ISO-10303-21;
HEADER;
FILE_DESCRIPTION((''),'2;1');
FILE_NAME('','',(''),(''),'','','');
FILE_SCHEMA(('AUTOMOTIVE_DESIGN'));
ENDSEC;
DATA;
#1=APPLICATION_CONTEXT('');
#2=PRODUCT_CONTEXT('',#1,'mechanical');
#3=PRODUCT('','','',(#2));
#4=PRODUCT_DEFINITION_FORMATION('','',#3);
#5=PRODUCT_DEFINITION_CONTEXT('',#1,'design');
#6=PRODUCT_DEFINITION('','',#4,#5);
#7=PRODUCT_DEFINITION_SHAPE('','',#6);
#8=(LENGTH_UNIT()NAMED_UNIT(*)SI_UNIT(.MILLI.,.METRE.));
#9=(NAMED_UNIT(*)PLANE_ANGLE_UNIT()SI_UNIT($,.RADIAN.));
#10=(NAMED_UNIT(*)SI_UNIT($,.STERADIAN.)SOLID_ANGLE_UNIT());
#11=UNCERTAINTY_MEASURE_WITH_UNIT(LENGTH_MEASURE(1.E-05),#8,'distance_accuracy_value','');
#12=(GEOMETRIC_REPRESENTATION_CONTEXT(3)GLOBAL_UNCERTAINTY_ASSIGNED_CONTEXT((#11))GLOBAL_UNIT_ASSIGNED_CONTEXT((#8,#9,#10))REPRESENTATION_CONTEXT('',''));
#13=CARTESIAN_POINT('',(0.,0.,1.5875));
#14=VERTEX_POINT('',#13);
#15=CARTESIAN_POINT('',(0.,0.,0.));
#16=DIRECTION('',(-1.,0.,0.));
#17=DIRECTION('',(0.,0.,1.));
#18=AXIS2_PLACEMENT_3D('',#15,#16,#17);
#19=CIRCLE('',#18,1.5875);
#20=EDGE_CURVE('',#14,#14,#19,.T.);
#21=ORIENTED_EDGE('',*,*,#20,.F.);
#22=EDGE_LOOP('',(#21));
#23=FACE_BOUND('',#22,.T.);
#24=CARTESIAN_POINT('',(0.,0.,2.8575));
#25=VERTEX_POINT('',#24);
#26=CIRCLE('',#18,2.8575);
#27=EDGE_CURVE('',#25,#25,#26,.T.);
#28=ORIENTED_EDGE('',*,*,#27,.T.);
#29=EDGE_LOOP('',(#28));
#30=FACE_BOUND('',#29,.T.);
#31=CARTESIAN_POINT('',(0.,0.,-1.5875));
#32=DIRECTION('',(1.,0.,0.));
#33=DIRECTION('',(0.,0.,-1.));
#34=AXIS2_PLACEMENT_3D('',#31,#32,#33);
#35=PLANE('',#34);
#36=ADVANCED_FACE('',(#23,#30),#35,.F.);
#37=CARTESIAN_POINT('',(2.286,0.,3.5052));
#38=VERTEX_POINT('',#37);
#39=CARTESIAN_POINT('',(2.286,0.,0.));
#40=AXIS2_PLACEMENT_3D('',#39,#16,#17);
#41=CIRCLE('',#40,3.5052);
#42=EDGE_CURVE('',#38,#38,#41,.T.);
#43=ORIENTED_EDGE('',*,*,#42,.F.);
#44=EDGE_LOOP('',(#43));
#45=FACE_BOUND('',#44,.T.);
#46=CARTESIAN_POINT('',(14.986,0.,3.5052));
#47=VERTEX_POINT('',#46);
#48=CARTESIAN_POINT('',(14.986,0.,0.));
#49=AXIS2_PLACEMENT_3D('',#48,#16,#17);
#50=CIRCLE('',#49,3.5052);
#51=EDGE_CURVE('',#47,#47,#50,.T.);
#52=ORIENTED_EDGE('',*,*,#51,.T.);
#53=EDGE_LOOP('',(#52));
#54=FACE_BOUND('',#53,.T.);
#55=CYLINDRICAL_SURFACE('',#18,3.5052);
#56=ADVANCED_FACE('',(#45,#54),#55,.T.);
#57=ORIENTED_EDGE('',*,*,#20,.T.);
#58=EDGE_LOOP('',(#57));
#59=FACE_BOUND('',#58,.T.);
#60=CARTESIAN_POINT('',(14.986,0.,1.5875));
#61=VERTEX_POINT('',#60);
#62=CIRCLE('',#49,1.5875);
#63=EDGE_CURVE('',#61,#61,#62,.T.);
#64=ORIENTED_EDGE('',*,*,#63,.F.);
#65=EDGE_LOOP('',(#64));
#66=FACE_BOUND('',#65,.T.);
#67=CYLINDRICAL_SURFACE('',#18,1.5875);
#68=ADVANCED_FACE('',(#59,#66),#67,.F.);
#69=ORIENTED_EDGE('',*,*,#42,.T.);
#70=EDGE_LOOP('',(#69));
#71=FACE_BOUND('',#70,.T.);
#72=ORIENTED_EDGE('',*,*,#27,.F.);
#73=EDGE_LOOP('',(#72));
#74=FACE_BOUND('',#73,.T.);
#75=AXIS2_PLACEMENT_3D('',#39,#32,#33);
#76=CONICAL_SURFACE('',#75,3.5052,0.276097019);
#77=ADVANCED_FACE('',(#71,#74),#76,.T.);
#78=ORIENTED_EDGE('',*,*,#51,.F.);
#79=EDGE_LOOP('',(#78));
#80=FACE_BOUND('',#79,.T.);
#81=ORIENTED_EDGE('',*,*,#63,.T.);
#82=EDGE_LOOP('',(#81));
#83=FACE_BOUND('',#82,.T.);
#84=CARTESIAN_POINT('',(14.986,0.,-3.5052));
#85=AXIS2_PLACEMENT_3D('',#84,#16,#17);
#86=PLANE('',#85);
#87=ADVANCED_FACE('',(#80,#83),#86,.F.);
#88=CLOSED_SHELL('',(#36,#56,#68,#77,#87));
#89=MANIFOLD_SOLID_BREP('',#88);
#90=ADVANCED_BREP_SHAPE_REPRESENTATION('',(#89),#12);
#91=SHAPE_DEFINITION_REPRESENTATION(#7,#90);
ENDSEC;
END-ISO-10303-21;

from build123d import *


with BuildPart() as part:
    # Sketch1 → Revolve1 (revolve)
    with BuildSketch(Plane(origin=(0, 0, 0), x_dir=(1, 0, 0), z_dir=(0, 1, 0))):
        Polygon((0, 1.5875), (0, 2.8575), (2.286, 3.5052), (14.986, 3.5052), (14.986, 1.5875), align=None)
    revolve(axis=Axis((0, 0, 0), (1, 0, 0)))


solid = part.part
